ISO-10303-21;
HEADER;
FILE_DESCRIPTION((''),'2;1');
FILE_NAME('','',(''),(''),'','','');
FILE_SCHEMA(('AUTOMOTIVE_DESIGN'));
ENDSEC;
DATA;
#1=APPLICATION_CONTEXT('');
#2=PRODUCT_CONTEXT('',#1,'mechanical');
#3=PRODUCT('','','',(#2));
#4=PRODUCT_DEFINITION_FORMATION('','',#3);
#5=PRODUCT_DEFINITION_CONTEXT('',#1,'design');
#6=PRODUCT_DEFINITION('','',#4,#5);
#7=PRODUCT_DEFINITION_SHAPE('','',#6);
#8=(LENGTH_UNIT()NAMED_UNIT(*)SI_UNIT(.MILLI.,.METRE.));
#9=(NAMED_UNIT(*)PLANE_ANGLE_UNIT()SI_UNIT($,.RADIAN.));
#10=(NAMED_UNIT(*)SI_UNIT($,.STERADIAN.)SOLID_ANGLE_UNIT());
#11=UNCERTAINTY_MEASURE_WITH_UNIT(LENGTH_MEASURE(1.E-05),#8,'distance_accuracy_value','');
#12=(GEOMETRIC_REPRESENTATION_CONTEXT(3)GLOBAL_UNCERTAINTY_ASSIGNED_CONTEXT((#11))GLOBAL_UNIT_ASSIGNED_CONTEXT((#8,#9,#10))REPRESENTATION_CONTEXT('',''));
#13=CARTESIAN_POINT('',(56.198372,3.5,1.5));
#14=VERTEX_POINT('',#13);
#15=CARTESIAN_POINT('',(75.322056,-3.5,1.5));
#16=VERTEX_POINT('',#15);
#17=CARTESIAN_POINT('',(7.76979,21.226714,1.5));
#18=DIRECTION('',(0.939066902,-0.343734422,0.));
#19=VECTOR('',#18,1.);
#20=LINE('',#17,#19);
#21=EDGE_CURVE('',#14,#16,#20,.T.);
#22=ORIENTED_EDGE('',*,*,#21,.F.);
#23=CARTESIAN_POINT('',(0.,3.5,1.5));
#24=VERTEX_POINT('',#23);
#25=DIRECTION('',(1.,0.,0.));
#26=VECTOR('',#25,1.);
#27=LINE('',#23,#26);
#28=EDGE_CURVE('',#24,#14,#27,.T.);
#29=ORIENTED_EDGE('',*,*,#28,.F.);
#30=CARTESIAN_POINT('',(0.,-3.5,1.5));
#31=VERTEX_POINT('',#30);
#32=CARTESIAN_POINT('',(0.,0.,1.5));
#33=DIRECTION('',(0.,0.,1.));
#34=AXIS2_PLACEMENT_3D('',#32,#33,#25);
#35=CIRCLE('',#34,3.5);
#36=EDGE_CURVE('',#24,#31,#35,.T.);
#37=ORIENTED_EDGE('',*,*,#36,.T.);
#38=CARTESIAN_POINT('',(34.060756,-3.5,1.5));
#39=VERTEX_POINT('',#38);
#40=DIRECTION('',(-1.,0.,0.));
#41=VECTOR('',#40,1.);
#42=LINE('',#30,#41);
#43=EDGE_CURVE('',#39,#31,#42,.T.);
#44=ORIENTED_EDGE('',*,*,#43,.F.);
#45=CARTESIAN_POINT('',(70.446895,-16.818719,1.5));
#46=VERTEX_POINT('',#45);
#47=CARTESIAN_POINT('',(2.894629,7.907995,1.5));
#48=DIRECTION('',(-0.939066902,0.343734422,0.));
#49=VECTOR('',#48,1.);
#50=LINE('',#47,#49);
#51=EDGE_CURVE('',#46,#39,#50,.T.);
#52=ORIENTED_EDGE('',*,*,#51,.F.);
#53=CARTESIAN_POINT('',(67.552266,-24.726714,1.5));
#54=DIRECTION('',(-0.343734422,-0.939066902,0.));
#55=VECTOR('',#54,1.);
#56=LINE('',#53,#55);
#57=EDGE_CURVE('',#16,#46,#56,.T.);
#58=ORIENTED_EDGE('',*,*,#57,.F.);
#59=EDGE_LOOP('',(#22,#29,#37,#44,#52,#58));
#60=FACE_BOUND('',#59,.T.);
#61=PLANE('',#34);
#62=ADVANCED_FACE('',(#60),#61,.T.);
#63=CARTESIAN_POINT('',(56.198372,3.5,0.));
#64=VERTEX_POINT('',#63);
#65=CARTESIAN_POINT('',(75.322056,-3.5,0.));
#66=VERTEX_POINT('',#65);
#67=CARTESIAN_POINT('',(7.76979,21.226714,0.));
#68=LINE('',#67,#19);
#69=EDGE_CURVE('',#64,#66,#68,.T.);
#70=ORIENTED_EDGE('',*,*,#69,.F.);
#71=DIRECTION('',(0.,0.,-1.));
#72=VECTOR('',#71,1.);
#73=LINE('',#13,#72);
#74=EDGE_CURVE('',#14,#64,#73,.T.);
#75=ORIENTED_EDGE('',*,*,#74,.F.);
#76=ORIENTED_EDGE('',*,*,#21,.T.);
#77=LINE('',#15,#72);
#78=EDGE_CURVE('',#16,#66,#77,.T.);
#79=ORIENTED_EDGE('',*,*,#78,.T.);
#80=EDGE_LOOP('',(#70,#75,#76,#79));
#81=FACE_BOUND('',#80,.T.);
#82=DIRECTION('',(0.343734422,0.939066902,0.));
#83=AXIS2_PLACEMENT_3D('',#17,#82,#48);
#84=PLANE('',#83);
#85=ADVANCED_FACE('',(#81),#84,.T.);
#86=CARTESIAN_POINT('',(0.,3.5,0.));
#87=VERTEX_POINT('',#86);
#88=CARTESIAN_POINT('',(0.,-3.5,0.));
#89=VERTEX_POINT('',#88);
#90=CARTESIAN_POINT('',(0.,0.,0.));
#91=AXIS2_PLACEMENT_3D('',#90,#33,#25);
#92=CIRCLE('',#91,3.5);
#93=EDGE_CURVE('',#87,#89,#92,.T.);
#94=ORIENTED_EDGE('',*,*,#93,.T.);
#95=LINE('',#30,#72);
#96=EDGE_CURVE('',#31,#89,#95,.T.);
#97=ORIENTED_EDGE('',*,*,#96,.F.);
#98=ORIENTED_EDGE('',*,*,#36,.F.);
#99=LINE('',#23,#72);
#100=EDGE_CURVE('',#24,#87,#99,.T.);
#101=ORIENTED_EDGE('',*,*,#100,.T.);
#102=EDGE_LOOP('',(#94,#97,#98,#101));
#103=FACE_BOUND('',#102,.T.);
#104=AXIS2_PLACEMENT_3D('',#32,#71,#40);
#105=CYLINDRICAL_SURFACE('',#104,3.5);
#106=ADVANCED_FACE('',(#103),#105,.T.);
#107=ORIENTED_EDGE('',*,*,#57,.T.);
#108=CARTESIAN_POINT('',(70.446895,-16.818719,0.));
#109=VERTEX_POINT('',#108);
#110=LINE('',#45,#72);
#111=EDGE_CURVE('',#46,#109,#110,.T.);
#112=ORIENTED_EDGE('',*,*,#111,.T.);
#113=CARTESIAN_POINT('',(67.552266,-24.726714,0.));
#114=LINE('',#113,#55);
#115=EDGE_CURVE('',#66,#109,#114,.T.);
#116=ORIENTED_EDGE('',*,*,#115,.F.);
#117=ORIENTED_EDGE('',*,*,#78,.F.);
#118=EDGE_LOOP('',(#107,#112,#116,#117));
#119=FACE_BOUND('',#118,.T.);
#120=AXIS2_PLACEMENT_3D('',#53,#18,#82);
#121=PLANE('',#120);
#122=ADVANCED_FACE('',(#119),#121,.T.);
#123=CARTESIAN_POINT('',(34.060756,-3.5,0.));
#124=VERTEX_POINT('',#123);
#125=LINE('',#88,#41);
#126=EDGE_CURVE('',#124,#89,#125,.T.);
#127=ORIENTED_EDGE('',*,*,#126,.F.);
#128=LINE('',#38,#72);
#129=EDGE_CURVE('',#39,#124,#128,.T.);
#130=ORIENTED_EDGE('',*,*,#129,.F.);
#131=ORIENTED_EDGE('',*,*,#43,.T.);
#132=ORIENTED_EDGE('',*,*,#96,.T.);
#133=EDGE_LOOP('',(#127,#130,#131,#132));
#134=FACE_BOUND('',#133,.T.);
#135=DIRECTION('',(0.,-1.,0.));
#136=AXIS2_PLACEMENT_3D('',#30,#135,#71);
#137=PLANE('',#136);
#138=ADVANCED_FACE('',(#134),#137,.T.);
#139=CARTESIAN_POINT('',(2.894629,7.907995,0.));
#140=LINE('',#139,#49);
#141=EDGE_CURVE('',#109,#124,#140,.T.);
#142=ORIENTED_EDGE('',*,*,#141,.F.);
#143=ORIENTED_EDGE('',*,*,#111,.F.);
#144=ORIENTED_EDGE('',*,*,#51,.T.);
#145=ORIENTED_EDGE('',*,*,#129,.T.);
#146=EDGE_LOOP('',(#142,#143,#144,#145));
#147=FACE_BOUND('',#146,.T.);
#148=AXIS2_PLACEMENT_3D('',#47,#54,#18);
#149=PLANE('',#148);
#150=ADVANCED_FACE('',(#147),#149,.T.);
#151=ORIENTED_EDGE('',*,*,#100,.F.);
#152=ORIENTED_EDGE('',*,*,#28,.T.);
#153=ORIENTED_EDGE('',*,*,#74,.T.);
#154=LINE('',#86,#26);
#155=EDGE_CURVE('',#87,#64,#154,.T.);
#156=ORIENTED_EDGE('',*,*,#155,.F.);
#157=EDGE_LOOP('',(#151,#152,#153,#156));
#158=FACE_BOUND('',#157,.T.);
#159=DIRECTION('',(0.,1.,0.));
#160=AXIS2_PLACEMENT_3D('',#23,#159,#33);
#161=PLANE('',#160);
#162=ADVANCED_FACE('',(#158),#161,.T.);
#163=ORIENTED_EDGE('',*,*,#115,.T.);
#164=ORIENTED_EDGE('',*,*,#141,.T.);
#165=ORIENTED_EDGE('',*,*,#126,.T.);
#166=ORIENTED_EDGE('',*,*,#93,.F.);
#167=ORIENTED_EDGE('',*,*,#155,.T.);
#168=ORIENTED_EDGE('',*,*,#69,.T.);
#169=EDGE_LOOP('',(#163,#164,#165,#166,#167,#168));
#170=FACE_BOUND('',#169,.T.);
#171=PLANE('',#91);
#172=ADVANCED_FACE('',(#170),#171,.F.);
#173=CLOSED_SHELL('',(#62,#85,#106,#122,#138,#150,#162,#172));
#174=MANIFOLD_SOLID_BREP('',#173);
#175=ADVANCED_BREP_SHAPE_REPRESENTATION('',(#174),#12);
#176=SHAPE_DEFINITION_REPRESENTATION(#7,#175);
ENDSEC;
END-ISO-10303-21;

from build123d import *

# Parameters (mm, degrees)
RESSALTO_EXTRUS_O1_DEPTH = 1.5


with BuildPart() as part:
    # Esboço1 → Ressalto-extrusão1 (new body)
    with BuildSketch(Plane.XY):
        with BuildLine():
            Line((56.198372015, 3.5), (0, 3.5))
            ThreePointArc((0, 3.5), (-3.5, 0), (0, -3.5))
            Line((0, -3.5), (34.060756458, -3.5))
            Line((34.060756458, -3.5), (70.446894759, -16.818719017))
            Line((70.446894759, -16.818719017), (75.32205559, -3.5))
            Line((75.32205559, -3.5), (56.198372015, 3.5))
        make_face()
    extrude(amount=RESSALTO_EXTRUS_O1_DEPTH)


solid = part.part
